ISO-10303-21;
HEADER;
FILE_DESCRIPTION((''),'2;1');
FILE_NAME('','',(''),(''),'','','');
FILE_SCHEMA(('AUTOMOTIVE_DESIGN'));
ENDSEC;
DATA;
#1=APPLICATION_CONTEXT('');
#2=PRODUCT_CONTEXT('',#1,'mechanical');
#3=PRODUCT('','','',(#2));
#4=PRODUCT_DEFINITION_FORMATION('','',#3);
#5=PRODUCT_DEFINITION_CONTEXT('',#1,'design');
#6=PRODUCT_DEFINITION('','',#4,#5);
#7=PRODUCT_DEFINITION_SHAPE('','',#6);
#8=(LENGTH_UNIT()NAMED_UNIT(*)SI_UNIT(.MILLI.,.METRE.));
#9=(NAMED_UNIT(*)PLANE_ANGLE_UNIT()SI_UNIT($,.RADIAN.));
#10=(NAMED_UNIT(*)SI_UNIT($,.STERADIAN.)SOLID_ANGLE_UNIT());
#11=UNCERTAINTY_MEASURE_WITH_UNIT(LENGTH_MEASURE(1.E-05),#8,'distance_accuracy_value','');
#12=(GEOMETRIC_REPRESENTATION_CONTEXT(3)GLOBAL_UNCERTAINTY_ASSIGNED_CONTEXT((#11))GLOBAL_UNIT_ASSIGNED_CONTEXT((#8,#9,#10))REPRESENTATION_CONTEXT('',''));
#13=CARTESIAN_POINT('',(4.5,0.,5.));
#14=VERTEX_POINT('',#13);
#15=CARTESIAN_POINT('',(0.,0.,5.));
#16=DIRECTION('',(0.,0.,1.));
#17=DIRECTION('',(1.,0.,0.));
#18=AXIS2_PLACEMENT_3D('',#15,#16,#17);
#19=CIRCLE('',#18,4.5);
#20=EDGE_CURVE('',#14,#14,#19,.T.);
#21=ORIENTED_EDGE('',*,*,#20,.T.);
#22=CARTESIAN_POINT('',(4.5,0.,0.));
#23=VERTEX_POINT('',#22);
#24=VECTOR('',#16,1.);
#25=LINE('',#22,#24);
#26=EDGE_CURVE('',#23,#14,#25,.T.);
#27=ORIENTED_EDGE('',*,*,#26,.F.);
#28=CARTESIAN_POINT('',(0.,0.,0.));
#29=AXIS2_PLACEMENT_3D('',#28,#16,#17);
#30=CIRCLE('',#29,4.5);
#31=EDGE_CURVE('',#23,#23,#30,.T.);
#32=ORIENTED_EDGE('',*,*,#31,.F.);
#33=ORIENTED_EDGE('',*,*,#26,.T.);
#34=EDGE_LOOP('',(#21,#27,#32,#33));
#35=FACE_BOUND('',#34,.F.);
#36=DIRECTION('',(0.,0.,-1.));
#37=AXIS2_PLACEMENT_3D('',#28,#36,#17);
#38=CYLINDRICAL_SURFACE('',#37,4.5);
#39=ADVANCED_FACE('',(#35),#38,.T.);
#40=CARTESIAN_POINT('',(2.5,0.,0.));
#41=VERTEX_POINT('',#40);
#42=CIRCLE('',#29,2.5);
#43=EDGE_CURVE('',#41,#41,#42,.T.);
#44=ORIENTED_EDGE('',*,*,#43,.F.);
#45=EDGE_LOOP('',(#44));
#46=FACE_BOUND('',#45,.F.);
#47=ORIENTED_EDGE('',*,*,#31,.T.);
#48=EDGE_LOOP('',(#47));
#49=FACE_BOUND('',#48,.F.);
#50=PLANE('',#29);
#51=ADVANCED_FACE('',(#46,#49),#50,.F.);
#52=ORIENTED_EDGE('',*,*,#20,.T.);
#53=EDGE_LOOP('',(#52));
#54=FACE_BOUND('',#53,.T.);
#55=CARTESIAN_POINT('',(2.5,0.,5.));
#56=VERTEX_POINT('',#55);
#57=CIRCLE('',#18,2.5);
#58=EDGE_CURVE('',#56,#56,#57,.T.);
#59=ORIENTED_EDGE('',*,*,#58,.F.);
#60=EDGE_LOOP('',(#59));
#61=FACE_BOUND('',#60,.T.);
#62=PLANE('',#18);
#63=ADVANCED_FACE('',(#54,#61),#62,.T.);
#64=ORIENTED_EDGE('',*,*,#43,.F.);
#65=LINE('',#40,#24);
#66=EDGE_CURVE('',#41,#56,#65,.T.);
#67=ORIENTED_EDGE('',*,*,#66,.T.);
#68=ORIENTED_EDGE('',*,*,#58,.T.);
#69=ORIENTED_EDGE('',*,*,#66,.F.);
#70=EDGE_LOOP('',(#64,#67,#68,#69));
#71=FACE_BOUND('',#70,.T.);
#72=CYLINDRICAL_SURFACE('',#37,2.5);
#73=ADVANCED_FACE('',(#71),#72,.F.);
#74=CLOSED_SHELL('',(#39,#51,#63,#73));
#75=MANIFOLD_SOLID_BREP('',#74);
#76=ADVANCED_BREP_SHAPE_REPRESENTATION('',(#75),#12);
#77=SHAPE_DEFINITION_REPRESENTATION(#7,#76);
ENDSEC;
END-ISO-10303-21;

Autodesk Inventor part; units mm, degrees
ref_plane "YZ Plane" through (0, 0, 0) normal (1, 0, 0) x (0, 1, 0)
ref_plane "XZ Plane" through (0, 0, 0) normal (0, 1, 0) x (-1, 0, 0)
ref_plane "XY Plane" through (0, 0, 0) normal (0, 0, 1) x (1, 0, 0)
sketch "Sketch1" plane through (0, 0, 0) normal (0, 0, 1) x (1, 0, 0)
  circle A0 centre (0, 0) radius 2.5
  circle A1 centre (0, 0) radius 4.5
  dimension "d0" = 2
  dimension "d1" = 5
extrude "Extrusion1" add sketch "Sketch1" along normal blind 5
properties part number "NylonSpacerM5x5mm" material "Nylon, molybdenum disulphide"
